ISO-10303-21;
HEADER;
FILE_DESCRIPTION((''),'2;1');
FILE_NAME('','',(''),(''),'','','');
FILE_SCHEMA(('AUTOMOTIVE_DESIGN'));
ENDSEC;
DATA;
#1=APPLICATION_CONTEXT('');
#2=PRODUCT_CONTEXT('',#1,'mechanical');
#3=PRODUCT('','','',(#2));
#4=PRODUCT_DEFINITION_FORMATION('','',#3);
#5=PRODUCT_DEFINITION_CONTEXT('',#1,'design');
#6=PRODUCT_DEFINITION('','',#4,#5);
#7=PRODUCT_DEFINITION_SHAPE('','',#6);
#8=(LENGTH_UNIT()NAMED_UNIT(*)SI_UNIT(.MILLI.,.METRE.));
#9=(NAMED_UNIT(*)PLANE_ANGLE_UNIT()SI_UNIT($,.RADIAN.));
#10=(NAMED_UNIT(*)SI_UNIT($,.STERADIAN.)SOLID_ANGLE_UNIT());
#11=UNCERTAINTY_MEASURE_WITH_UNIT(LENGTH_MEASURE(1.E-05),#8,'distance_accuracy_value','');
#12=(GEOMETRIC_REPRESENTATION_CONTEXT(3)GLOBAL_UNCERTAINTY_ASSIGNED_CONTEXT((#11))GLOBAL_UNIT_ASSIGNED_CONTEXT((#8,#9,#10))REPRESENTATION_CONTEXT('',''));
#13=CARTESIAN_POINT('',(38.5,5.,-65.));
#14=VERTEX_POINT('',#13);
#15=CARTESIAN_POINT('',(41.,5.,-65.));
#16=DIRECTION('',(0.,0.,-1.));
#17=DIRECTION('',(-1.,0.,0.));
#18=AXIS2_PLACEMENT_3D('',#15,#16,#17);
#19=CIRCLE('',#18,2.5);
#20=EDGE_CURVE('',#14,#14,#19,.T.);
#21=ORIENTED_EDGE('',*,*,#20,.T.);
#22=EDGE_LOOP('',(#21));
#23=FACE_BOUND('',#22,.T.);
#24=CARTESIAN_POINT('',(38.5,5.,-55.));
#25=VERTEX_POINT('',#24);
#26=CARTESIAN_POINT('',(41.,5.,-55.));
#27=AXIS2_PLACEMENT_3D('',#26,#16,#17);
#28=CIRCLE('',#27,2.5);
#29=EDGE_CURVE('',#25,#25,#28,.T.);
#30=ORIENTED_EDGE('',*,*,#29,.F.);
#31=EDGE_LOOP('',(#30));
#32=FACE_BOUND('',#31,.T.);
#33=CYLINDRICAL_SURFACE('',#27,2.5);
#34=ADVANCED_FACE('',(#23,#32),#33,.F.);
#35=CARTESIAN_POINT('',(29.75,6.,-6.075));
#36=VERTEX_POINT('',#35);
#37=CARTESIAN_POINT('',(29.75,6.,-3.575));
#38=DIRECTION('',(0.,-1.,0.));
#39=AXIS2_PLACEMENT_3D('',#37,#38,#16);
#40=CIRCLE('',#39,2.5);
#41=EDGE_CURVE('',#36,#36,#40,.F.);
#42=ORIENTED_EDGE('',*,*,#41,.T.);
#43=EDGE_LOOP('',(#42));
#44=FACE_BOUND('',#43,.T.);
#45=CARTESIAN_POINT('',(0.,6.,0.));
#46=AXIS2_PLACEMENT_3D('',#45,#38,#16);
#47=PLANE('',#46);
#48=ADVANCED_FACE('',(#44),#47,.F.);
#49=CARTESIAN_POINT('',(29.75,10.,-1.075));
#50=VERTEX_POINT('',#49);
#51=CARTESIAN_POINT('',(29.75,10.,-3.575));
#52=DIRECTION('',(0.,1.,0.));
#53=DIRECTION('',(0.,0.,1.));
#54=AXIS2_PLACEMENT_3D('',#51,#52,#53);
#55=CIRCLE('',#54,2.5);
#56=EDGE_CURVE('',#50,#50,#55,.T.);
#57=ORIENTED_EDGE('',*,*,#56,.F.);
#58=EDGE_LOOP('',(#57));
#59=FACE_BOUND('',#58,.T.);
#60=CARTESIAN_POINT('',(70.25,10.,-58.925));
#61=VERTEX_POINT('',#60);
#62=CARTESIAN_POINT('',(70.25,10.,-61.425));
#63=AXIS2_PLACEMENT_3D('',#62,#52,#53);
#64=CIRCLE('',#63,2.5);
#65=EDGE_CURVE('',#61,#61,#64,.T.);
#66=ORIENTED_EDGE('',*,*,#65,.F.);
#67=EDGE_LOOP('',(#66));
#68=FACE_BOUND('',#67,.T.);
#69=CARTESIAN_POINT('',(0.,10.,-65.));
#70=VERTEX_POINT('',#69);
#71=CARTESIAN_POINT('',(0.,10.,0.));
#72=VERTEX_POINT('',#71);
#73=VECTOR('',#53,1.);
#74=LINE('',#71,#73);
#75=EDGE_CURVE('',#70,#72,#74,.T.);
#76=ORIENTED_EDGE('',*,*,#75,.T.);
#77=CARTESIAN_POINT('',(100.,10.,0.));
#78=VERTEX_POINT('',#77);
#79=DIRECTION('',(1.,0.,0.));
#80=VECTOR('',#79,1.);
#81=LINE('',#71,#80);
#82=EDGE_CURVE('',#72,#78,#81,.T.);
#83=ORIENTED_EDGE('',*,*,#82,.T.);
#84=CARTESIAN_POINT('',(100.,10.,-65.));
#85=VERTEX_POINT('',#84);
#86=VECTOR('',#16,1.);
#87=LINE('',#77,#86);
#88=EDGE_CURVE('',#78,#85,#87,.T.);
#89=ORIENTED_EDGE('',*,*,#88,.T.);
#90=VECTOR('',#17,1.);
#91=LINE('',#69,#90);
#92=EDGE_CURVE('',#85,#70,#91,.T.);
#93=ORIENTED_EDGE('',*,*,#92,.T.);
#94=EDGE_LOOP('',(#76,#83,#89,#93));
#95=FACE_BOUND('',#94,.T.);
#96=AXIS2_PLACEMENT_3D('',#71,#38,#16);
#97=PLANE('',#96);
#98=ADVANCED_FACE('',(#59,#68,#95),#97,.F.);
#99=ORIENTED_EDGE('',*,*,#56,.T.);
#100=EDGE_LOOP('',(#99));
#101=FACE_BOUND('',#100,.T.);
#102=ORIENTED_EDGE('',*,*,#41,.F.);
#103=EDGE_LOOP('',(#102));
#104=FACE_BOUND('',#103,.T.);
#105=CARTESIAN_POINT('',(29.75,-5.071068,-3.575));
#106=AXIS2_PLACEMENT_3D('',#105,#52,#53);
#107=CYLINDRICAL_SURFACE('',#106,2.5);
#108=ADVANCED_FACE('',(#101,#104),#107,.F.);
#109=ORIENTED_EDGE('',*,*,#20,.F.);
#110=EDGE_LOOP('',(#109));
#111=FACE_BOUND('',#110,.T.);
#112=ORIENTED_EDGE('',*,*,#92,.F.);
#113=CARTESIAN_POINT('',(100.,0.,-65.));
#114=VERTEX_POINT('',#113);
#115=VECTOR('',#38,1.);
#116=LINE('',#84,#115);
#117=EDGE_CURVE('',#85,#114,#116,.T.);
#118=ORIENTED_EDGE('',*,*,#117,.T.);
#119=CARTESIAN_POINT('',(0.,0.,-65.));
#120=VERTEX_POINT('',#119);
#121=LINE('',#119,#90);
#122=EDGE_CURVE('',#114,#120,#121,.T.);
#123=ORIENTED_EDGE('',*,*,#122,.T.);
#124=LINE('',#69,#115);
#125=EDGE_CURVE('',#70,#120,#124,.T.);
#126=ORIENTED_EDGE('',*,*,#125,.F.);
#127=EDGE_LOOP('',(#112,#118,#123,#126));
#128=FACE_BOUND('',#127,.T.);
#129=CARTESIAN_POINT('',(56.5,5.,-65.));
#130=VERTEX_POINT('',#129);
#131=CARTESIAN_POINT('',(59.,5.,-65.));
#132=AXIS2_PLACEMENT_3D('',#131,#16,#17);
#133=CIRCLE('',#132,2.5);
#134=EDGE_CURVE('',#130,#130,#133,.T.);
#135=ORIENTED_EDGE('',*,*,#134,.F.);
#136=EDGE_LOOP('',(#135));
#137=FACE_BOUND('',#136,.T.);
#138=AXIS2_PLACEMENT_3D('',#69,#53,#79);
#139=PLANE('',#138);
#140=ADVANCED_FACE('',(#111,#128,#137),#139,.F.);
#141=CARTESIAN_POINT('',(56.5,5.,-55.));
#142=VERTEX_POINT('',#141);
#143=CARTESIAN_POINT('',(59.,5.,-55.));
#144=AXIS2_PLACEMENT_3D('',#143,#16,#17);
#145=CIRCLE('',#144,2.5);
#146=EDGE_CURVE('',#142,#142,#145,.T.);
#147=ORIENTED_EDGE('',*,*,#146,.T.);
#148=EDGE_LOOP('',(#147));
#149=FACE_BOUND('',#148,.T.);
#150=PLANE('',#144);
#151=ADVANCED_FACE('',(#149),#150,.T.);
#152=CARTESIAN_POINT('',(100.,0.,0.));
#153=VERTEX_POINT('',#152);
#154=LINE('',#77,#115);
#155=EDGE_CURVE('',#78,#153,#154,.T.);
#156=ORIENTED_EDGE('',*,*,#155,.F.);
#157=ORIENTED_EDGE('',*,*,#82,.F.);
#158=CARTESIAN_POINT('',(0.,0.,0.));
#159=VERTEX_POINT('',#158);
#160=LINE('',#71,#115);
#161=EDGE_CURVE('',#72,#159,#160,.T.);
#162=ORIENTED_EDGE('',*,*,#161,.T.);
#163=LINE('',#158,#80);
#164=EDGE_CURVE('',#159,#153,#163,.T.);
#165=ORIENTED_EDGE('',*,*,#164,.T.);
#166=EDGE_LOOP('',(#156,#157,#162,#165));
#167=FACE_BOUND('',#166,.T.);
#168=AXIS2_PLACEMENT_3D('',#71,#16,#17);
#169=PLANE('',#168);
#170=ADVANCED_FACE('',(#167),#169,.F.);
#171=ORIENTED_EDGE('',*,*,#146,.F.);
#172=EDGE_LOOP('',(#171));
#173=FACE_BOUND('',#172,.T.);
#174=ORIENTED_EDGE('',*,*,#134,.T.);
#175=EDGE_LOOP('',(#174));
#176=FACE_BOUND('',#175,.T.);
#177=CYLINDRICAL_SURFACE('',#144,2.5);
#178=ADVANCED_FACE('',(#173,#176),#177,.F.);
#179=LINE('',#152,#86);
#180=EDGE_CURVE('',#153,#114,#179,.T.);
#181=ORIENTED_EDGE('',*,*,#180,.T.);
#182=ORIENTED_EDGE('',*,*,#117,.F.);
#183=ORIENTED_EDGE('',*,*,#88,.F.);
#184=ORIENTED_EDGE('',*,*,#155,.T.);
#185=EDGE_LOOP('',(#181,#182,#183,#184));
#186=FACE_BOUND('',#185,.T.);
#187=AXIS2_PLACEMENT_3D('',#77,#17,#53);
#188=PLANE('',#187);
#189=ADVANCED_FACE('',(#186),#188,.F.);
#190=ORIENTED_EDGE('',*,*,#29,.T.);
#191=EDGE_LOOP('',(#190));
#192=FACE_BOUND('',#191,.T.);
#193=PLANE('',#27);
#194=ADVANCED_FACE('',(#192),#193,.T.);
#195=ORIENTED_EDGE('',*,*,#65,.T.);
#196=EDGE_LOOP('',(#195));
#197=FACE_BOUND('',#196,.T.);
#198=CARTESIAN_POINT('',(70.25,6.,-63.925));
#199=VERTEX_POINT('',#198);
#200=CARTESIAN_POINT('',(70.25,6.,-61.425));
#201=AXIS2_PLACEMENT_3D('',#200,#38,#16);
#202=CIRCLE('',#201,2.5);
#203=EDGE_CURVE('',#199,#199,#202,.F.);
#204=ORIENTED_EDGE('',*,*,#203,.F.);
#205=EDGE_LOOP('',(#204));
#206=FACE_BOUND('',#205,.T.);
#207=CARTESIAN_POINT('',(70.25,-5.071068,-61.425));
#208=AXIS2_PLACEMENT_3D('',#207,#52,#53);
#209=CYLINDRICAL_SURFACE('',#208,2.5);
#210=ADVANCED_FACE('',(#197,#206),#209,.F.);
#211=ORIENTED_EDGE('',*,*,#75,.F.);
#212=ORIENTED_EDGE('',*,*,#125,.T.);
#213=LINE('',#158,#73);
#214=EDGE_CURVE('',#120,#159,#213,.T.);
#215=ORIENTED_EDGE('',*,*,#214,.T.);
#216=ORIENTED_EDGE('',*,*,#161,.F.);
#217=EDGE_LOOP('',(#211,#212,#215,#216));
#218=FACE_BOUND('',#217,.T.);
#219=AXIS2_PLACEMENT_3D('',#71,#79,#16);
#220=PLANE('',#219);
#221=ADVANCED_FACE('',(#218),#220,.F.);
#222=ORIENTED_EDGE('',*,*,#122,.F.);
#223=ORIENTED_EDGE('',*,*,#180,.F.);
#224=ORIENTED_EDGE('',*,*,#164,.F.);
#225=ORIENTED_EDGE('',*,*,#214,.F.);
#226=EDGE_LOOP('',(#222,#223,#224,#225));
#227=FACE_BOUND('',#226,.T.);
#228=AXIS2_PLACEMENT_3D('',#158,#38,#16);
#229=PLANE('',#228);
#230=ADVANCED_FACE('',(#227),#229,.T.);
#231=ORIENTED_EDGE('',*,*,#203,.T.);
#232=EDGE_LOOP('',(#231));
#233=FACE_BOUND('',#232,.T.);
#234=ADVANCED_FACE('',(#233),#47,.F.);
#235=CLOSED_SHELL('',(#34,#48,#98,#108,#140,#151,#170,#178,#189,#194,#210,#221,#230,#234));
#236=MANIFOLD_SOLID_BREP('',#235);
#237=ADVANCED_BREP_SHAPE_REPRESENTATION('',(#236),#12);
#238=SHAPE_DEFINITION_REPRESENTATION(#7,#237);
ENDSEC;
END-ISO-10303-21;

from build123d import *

# Parameters (mm, degrees)
SKETCH1_W           = 100
SKETCH1_H           = 65
BOSS_EXTRUDE1_DEPTH = 10
SKETCH2_R           = 2.5
CUT_EXTRUDE1_DEPTH  = 10
SKETCH3_R           = 2.5
CUT_EXTRUDE2_DEPTH  = 4


with BuildPart() as part:
    # Sketch1 → Boss-Extrude1 (new body)
    with BuildSketch(Plane(origin=(0, 0, 0), x_dir=(1, 0, 0), z_dir=(0, 1, 0))):
        with Locations((50, 32.5)):
            Rectangle(SKETCH1_W, SKETCH1_H)
    extrude(amount=BOSS_EXTRUDE1_DEPTH)

    # Sketch2 → Cut-Extrude1 (cut)
    with BuildSketch(Plane(origin=(0, 0, -65), x_dir=(-1, 0, 0), z_dir=(0, 0, -1))):
        with Locations((-59, 5)):
            Circle(SKETCH2_R)
        with Locations((-41, 5)):
            Circle(SKETCH2_R)
    extrude(amount=-CUT_EXTRUDE1_DEPTH, mode=Mode.SUBTRACT)

    # Sketch3 → Cut-Extrude2 (cut)
    with BuildSketch(Plane(origin=(0, 10, 0), x_dir=(1, 0, 0), z_dir=(0, 1, 0))):
        with Locations(Location((29.75, 3.575, 0), (0, 0, 270))):
            Circle(SKETCH3_R)
        with Locations(Location((70.25, 61.425, 0), (0, 0, 270))):
            Circle(SKETCH3_R)
    extrude(amount=-CUT_EXTRUDE2_DEPTH, mode=Mode.SUBTRACT)


solid = part.part
